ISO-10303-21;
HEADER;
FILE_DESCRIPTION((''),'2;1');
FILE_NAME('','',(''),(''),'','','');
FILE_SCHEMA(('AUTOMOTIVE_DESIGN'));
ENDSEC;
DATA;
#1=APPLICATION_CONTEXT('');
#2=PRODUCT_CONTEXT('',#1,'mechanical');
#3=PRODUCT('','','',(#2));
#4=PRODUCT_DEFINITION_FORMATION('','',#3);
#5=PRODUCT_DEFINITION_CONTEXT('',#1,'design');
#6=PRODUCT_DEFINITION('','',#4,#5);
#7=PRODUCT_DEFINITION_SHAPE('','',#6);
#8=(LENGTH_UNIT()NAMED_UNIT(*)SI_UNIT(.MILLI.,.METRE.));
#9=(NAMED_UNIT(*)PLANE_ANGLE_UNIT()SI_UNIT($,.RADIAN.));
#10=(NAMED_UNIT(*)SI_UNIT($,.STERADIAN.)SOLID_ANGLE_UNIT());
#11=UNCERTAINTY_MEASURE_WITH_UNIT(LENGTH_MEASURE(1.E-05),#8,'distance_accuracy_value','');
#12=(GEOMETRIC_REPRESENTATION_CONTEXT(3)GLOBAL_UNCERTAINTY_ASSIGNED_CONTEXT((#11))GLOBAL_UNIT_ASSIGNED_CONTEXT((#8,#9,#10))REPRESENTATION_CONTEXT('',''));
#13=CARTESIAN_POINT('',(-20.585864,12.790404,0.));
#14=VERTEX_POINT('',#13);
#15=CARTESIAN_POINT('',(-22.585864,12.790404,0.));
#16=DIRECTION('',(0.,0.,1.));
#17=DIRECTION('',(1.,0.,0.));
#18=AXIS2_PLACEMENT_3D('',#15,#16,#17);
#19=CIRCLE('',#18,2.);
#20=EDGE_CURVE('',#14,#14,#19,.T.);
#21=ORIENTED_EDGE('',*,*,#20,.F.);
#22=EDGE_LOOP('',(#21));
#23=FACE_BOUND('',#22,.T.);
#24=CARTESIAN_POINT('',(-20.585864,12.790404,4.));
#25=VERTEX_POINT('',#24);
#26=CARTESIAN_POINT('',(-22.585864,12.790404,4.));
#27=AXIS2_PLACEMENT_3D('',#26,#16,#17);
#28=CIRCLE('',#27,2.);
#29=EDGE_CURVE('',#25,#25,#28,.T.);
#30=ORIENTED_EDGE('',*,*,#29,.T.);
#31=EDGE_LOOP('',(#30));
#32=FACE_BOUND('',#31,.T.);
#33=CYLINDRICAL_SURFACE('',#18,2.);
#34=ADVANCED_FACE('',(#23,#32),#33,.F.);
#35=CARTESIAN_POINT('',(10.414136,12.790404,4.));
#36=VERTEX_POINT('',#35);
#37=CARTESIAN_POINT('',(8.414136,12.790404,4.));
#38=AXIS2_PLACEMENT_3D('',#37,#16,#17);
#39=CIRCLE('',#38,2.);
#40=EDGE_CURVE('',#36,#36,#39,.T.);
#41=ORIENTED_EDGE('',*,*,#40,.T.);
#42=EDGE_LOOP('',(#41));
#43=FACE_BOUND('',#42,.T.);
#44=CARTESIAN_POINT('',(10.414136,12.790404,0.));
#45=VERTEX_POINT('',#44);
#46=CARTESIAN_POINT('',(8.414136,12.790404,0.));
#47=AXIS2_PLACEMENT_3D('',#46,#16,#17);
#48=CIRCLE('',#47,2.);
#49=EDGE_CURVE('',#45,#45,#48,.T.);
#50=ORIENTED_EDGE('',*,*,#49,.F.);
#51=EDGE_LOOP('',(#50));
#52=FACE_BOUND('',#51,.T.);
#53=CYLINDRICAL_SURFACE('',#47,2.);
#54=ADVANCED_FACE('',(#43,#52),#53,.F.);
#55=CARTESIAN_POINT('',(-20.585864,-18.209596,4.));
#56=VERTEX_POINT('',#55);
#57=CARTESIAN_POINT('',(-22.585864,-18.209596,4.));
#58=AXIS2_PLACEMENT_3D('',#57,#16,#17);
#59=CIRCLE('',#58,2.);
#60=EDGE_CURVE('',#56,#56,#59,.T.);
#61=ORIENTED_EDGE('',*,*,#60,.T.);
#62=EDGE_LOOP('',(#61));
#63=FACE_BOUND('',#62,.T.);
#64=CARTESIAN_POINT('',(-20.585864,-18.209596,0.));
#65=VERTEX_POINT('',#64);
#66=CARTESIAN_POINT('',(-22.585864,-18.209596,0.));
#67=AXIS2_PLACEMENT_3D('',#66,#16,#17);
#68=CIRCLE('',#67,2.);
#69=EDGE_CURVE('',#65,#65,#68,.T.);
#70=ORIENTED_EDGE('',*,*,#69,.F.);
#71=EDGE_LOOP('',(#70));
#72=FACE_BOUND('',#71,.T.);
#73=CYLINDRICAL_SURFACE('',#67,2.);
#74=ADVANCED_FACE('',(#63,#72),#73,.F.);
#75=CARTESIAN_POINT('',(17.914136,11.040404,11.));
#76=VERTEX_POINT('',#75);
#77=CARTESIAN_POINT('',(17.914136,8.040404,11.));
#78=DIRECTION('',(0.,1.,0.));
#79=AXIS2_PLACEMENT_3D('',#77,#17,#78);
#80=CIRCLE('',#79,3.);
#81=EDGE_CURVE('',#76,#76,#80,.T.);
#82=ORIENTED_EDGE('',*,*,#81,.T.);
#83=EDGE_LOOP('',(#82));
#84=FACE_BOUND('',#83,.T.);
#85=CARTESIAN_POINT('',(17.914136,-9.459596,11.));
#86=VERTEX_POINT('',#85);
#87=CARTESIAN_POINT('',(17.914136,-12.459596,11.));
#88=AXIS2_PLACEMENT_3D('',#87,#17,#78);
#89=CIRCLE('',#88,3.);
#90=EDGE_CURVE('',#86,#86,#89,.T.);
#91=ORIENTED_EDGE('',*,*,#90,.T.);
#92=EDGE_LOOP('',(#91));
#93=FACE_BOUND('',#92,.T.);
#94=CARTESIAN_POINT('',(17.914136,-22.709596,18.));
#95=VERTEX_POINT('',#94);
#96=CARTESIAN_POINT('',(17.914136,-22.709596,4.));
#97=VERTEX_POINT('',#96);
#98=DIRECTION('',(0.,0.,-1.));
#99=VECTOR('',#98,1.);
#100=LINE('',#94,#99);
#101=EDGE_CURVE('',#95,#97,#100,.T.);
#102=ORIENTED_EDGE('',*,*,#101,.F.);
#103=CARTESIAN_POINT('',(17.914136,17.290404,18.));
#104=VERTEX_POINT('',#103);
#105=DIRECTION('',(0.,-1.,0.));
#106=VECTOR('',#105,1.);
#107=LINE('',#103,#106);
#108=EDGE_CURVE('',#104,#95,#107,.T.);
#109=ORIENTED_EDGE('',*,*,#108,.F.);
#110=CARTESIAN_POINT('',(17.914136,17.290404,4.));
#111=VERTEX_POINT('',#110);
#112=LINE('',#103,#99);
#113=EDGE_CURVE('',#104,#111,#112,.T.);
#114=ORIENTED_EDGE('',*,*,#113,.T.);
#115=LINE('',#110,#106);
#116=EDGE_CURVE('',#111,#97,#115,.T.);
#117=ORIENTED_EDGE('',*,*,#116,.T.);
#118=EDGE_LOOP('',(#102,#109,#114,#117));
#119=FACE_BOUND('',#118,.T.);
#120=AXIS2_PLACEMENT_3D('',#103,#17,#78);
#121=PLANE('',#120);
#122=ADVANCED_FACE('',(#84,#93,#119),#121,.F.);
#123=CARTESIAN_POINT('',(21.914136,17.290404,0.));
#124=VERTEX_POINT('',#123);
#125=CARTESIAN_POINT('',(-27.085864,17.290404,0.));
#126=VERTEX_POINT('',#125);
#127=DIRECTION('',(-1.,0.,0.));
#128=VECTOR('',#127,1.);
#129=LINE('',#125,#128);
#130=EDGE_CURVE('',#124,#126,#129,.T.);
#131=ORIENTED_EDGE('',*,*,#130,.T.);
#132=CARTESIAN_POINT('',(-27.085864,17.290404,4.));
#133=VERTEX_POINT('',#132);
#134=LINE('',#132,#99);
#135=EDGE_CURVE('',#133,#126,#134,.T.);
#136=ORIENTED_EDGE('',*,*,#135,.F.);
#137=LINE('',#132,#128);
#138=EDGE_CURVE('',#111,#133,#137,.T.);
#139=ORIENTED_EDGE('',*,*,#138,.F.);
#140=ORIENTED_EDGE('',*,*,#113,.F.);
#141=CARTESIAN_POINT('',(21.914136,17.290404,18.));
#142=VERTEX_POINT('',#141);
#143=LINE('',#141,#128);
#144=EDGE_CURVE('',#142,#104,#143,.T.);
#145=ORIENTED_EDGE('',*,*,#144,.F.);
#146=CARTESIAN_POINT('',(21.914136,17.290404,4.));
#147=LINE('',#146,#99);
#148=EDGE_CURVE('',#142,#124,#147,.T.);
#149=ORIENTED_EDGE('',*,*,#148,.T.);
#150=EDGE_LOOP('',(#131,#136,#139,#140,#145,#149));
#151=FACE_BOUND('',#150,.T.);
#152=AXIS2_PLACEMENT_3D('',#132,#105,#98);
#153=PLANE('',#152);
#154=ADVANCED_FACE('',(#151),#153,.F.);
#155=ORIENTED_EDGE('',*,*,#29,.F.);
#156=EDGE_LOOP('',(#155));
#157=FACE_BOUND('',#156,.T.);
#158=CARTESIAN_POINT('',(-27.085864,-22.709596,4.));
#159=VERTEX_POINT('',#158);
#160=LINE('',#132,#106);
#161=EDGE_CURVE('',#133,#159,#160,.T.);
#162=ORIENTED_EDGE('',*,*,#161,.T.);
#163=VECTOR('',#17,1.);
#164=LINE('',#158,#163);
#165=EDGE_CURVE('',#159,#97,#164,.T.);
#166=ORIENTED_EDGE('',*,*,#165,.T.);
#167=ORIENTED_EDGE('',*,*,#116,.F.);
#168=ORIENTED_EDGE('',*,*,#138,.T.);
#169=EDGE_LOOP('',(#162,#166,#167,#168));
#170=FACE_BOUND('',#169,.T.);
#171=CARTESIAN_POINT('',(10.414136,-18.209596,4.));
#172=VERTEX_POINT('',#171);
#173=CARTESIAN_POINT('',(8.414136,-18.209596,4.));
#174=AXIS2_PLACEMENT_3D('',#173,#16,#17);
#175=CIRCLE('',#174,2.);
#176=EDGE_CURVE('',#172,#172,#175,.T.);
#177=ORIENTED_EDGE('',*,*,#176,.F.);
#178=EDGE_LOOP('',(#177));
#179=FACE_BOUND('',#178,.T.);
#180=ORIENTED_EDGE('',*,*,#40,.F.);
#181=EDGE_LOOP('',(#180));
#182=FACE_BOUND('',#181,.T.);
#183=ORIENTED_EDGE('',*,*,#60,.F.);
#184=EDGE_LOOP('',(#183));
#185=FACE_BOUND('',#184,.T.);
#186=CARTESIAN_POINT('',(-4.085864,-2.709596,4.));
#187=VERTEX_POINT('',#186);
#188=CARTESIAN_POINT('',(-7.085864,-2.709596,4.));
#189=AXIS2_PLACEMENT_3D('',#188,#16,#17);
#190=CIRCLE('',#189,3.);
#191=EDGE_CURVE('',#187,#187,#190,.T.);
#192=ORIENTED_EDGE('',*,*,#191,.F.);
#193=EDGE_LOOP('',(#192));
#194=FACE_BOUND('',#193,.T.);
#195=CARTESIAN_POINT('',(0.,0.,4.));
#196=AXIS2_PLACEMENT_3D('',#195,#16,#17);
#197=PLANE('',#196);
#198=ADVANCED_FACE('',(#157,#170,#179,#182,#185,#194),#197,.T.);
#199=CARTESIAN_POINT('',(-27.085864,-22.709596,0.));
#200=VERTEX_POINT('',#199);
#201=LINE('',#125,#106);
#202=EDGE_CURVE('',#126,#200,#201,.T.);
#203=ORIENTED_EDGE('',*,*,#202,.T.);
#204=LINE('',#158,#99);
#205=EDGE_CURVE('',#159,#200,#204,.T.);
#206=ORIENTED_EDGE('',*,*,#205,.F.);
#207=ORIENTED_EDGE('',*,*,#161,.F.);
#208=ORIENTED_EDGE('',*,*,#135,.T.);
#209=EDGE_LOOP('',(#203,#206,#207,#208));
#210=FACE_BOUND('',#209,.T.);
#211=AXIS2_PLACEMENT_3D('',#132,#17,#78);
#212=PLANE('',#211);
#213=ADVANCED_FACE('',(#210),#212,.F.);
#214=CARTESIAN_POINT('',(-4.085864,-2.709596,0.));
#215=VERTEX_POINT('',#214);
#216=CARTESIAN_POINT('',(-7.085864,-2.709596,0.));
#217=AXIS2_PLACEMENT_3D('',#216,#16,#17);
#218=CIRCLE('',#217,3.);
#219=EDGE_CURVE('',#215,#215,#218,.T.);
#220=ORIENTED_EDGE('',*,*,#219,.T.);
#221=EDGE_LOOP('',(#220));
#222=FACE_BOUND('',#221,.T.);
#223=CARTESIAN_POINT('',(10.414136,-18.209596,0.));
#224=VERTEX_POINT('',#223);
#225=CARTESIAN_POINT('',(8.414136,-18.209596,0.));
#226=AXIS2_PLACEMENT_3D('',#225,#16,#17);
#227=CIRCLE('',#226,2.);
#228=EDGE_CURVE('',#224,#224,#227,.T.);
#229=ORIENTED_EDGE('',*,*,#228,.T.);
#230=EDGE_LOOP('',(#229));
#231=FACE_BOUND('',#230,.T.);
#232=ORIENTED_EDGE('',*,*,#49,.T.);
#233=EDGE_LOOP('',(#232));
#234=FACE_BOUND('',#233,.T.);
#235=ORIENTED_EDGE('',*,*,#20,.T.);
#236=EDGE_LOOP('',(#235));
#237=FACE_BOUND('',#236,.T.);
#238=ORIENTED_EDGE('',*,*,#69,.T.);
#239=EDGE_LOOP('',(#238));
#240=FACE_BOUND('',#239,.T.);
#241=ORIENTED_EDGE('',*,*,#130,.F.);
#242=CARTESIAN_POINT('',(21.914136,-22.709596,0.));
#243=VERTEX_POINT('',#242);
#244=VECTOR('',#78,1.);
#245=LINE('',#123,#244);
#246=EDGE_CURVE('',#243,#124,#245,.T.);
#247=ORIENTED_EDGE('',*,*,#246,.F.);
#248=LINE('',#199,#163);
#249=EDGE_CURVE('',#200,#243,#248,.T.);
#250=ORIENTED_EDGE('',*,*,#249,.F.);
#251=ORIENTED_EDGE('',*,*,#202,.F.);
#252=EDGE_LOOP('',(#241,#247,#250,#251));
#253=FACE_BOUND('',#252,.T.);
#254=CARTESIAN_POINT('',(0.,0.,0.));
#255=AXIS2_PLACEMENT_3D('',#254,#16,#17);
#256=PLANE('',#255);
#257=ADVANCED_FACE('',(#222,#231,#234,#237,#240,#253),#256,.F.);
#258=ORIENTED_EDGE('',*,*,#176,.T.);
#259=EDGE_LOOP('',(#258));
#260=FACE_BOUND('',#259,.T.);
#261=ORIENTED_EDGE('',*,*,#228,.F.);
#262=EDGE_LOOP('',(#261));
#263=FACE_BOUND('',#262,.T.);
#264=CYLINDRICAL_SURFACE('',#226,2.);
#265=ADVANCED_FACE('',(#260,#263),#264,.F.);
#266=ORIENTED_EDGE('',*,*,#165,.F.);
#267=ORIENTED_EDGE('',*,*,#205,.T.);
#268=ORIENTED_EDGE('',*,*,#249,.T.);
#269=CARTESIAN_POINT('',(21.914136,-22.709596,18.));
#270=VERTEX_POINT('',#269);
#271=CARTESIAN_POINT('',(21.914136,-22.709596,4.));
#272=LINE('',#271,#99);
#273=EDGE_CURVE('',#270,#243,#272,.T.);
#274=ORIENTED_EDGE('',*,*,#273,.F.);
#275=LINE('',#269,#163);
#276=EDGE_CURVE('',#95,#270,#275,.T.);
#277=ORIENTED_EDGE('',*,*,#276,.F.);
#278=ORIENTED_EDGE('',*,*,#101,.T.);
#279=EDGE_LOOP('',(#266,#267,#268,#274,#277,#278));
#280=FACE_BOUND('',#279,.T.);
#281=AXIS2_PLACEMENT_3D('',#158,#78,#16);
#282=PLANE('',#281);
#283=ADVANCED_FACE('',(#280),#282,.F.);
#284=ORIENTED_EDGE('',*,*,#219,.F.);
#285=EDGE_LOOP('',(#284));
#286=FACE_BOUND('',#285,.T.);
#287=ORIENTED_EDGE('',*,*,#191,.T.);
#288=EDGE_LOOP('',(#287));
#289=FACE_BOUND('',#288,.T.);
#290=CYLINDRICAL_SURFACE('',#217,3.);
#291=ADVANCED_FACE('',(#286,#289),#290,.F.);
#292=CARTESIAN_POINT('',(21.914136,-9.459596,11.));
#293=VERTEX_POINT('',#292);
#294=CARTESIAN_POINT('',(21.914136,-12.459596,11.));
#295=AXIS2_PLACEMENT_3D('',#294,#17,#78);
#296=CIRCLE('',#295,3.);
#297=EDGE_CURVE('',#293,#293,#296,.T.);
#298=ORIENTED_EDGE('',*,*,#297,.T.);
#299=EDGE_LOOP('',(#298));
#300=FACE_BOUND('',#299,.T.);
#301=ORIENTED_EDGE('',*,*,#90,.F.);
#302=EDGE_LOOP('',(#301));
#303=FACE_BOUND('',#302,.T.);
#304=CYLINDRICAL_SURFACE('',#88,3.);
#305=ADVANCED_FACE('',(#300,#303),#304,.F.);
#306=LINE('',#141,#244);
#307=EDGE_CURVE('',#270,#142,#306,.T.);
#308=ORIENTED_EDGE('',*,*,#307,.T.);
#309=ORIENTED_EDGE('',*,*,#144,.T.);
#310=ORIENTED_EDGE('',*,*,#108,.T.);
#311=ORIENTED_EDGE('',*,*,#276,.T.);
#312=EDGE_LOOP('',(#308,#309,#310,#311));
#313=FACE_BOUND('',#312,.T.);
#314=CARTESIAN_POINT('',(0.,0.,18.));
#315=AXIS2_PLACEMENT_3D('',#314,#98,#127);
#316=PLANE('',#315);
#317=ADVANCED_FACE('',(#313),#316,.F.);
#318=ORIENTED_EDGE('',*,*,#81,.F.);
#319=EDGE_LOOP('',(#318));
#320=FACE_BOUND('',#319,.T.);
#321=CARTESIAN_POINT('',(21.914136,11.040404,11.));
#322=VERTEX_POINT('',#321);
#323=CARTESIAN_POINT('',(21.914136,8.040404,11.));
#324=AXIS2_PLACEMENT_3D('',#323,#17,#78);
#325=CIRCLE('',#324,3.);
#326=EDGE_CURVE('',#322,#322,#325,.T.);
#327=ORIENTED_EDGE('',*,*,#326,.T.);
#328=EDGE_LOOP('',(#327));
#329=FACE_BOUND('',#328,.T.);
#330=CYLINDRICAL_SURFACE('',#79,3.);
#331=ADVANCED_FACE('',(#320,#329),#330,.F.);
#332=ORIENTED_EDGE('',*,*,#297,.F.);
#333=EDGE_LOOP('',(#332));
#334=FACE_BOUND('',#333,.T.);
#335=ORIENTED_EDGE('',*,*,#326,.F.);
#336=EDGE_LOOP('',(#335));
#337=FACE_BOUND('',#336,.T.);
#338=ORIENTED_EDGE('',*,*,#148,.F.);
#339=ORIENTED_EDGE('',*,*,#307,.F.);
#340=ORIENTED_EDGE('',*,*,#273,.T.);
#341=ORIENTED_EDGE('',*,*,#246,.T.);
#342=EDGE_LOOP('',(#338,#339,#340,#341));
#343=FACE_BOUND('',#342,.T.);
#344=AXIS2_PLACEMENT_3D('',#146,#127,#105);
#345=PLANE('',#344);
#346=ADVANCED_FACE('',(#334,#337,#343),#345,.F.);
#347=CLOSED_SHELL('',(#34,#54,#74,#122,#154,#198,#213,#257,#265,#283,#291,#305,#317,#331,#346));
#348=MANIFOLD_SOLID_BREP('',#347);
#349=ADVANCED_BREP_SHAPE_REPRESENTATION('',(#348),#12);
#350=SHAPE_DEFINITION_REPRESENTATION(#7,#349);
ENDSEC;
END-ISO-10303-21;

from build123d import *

# Parameters (mm, degrees)
ESQUISSE1_W             = 49
ESQUISSE1_H             = 40
BOSS_EXTRU_1_DEPTH      = 4
ESQUISSE2_W             = 4
ESQUISSE2_H             = 40
BOSS_EXTRU_2_DEPTH      = 14
ESQUISSE3_R             = 3
ENL_V_MAT_EXTRU_1_DEPTH = 4
ESQUISSE4_R             = 3
ESQUISSE4_R_2           = 2
ENL_V_MAT_EXTRU_2_DEPTH = 5


with BuildPart() as part:
    # Esquisse1 → Boss.-Extru.1 (new body)
    with BuildSketch(Plane.XY):
        with Locations((-2.585864486, -2.70959596)):
            Rectangle(ESQUISSE1_W, ESQUISSE1_H)
    extrude(amount=BOSS_EXTRU_1_DEPTH)

    # Esquisse2 → Boss.-Extru.2 (add)
    with BuildSketch(Plane.XY.offset(4)):
        with Locations((19.914135514, -2.70959596)):
            Rectangle(ESQUISSE2_W, ESQUISSE2_H)
    extrude(amount=BOSS_EXTRU_2_DEPTH)

    # Esquisse3 → Enlèv. mat.-Extru.1 (cut)
    with BuildSketch(Plane(origin=(21.914135514, 0, 0), x_dir=(0, 0, -1), z_dir=(1, 0, 0))):
        with Locations(Location((-11, 8.04040404, 0), (0, 0, 90))):  # turned: the seam where the file's is
            Circle(ESQUISSE3_R)
        with Locations(Location((-11, -12.45959596, 0), (0, 0, 90))):  # turned: the seam where the file's is
            Circle(ESQUISSE3_R)
    extrude(amount=-ENL_V_MAT_EXTRU_1_DEPTH, mode=Mode.SUBTRACT)

    # Esquisse4 → Enlèv. mat.-Extru.2 (cut, through all)
    with BuildSketch(Plane.XY.offset(4)):
        with Locations((-7.085864486, -2.70959596)):
            Circle(ESQUISSE4_R)
        with Locations((-22.585864486, 12.79040404)):
            Circle(ESQUISSE4_R_2)
        with Locations((8.414135514, 12.79040404)):
            Circle(ESQUISSE4_R_2)
        with Locations((8.414135514, -18.20959596)):
            Circle(ESQUISSE4_R_2)
        with Locations((-22.585864486, -18.20959596)):
            Circle(ESQUISSE4_R_2)
    extrude(amount=-ENL_V_MAT_EXTRU_2_DEPTH, mode=Mode.SUBTRACT)


solid = part.part
